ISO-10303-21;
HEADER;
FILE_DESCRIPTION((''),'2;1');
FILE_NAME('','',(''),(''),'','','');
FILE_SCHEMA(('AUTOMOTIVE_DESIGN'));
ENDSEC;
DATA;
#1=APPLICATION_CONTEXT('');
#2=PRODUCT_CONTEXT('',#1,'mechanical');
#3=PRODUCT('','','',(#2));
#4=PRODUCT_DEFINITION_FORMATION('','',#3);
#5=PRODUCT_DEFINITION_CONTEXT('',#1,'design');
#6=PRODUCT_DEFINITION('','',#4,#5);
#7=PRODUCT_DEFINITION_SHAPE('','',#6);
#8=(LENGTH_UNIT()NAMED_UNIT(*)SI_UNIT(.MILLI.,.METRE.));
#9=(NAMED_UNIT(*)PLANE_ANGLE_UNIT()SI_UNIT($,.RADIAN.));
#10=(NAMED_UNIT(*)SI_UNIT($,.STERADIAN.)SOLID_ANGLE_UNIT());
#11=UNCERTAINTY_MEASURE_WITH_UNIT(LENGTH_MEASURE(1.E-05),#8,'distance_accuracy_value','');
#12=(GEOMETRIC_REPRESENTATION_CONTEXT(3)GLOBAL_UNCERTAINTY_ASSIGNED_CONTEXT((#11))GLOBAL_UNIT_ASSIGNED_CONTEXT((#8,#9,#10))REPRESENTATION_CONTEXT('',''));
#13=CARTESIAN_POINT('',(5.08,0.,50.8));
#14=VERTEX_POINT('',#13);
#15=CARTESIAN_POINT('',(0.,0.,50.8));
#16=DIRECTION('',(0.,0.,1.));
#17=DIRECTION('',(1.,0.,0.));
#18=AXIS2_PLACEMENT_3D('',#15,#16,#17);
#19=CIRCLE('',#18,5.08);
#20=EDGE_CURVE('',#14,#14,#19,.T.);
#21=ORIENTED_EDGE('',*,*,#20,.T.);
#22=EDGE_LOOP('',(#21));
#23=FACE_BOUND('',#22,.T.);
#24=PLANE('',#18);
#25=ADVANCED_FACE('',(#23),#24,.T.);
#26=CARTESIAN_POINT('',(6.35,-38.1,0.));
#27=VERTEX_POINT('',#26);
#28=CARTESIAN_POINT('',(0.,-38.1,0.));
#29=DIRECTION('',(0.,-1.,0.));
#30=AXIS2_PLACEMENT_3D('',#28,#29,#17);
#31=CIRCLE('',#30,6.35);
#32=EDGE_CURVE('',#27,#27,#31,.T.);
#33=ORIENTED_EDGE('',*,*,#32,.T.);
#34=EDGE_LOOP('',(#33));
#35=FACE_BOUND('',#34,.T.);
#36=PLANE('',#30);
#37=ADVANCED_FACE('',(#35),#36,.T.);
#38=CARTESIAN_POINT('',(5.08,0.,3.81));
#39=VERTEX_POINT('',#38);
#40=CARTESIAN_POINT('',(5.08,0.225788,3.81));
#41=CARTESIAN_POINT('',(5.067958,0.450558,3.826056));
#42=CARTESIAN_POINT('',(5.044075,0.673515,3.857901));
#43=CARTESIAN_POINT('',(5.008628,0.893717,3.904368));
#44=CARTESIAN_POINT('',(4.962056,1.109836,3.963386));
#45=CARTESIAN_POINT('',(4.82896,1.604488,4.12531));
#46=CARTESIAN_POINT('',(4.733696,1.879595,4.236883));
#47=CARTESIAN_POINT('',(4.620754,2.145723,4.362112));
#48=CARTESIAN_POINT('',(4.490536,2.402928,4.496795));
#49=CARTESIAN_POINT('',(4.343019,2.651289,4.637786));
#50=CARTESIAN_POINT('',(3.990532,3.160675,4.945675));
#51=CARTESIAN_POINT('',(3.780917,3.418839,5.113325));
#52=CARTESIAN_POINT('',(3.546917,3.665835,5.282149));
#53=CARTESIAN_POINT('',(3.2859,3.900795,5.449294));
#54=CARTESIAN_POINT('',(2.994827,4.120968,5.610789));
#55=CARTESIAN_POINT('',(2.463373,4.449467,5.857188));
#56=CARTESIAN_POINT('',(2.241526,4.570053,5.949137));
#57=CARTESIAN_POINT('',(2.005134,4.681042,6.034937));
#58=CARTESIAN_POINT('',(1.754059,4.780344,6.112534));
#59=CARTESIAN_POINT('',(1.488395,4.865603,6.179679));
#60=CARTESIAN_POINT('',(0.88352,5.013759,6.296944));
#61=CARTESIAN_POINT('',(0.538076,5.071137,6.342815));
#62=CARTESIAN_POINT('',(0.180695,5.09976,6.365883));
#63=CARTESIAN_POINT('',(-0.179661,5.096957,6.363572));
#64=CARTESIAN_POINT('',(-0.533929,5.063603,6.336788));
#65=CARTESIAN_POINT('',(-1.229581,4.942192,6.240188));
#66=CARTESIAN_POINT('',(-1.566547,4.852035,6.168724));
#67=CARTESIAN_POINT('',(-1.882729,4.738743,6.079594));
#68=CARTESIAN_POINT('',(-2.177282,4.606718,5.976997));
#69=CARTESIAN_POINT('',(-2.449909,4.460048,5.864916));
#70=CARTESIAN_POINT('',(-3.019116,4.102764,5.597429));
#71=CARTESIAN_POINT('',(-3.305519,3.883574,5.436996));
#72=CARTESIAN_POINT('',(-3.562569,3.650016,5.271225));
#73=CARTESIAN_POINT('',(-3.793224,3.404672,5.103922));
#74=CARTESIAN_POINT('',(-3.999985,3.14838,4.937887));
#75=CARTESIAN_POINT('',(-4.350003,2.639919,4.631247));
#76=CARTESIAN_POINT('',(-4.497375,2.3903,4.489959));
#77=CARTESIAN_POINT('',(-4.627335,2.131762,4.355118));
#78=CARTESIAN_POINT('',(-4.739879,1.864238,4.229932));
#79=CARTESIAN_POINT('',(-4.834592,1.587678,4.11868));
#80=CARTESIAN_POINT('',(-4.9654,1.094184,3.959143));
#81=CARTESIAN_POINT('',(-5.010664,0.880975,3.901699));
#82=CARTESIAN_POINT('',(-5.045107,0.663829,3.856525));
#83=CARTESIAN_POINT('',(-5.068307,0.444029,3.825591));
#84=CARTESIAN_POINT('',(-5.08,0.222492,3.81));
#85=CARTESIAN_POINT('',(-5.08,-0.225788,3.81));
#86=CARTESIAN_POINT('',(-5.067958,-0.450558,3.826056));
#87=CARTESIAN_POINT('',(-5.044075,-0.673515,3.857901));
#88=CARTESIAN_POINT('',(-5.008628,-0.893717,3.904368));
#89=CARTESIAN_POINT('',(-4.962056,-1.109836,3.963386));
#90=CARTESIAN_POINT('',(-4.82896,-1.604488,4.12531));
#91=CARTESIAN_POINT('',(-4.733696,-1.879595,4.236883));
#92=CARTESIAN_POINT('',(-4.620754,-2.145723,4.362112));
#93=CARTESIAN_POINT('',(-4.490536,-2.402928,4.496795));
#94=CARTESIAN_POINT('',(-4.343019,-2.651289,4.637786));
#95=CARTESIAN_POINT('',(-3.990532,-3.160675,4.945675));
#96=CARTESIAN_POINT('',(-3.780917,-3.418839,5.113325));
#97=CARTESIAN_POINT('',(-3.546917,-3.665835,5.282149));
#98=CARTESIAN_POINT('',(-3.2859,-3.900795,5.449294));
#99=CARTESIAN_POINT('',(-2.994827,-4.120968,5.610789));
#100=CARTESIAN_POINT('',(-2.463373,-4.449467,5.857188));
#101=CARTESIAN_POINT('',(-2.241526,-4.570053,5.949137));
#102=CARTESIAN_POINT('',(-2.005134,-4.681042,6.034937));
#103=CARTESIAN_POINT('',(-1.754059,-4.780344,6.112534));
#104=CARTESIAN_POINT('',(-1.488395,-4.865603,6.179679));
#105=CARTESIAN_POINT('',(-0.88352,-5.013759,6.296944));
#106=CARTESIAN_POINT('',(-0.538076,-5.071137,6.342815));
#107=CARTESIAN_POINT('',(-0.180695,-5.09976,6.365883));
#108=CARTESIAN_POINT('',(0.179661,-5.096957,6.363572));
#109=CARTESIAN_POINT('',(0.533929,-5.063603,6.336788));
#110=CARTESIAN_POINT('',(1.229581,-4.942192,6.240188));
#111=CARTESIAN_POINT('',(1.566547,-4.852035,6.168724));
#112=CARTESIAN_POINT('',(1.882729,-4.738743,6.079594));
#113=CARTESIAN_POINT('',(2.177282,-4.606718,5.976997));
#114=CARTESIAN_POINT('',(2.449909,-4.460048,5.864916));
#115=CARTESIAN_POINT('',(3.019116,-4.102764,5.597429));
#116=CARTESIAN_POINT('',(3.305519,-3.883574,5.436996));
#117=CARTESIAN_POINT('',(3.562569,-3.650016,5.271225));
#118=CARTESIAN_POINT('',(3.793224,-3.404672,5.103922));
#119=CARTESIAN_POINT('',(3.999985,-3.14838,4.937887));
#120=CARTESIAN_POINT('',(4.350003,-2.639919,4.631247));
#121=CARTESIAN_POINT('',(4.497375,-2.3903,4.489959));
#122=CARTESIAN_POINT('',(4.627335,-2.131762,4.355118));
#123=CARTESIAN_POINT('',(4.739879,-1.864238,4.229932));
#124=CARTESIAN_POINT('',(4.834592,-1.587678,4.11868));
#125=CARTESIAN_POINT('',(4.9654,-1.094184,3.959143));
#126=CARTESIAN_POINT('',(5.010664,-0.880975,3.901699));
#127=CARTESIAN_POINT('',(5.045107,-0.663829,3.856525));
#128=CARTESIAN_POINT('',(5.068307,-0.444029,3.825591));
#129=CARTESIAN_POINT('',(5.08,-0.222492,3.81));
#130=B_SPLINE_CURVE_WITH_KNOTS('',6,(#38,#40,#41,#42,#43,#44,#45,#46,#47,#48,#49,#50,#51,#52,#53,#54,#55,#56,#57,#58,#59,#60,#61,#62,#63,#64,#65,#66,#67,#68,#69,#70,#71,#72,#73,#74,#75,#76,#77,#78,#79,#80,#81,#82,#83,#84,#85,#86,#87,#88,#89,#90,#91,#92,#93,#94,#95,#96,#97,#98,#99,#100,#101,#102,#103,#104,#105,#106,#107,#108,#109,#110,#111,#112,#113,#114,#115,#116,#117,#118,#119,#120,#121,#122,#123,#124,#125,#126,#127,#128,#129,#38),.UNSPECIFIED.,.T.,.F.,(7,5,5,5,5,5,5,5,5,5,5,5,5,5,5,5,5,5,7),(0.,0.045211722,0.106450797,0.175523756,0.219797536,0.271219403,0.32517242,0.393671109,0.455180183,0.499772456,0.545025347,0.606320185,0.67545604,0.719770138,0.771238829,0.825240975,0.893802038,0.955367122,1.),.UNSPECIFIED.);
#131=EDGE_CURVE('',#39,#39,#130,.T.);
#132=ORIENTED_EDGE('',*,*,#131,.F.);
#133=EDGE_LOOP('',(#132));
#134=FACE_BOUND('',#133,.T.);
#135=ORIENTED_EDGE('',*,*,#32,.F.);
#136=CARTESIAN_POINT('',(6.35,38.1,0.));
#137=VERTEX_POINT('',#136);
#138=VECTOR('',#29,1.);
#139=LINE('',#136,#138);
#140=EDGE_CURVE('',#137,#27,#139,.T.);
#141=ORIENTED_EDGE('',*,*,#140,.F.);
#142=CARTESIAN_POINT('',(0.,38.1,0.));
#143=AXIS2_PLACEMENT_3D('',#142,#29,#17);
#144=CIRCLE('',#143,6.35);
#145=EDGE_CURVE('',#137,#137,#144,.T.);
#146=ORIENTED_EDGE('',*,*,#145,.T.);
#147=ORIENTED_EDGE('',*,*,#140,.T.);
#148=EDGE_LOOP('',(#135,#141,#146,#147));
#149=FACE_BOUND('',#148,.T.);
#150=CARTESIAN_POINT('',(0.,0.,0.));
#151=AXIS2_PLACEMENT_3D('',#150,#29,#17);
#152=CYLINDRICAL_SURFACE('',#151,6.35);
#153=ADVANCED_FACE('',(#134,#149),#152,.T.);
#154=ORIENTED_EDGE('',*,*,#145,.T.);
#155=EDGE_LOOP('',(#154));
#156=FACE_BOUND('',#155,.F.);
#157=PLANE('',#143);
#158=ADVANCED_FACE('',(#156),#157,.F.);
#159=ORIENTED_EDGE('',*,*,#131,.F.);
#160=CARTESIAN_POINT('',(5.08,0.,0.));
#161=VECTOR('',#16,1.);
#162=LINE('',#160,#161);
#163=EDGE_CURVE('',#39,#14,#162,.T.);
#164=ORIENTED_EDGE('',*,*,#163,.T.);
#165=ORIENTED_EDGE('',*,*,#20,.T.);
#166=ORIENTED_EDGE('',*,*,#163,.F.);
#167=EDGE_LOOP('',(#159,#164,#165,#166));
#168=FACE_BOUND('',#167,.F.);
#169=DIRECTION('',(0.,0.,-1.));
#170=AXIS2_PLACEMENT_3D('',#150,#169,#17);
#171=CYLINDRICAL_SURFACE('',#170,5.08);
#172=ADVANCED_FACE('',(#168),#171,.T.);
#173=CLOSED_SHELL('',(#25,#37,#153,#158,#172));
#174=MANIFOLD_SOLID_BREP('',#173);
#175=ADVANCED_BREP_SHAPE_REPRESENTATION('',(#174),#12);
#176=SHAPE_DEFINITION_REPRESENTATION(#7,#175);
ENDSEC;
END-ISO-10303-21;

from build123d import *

# Parameters (mm, degrees)
F0_R     = 6.35
F1_DEPTH = 38.1
F2_R     = 5.08
F3_DEPTH = 50.8


with BuildPart() as f1:
    # F0 (on Front) → F1 (new body, symmetric)
    with BuildSketch(Plane.XZ):
        Circle(F0_R)
    extrude(amount=F1_DEPTH, both=True)

    # F2 (on Top) → F3 (join)
    with BuildSketch(Plane.XY):
        Circle(F2_R)
    extrude(amount=F3_DEPTH)


solid = f1.part
